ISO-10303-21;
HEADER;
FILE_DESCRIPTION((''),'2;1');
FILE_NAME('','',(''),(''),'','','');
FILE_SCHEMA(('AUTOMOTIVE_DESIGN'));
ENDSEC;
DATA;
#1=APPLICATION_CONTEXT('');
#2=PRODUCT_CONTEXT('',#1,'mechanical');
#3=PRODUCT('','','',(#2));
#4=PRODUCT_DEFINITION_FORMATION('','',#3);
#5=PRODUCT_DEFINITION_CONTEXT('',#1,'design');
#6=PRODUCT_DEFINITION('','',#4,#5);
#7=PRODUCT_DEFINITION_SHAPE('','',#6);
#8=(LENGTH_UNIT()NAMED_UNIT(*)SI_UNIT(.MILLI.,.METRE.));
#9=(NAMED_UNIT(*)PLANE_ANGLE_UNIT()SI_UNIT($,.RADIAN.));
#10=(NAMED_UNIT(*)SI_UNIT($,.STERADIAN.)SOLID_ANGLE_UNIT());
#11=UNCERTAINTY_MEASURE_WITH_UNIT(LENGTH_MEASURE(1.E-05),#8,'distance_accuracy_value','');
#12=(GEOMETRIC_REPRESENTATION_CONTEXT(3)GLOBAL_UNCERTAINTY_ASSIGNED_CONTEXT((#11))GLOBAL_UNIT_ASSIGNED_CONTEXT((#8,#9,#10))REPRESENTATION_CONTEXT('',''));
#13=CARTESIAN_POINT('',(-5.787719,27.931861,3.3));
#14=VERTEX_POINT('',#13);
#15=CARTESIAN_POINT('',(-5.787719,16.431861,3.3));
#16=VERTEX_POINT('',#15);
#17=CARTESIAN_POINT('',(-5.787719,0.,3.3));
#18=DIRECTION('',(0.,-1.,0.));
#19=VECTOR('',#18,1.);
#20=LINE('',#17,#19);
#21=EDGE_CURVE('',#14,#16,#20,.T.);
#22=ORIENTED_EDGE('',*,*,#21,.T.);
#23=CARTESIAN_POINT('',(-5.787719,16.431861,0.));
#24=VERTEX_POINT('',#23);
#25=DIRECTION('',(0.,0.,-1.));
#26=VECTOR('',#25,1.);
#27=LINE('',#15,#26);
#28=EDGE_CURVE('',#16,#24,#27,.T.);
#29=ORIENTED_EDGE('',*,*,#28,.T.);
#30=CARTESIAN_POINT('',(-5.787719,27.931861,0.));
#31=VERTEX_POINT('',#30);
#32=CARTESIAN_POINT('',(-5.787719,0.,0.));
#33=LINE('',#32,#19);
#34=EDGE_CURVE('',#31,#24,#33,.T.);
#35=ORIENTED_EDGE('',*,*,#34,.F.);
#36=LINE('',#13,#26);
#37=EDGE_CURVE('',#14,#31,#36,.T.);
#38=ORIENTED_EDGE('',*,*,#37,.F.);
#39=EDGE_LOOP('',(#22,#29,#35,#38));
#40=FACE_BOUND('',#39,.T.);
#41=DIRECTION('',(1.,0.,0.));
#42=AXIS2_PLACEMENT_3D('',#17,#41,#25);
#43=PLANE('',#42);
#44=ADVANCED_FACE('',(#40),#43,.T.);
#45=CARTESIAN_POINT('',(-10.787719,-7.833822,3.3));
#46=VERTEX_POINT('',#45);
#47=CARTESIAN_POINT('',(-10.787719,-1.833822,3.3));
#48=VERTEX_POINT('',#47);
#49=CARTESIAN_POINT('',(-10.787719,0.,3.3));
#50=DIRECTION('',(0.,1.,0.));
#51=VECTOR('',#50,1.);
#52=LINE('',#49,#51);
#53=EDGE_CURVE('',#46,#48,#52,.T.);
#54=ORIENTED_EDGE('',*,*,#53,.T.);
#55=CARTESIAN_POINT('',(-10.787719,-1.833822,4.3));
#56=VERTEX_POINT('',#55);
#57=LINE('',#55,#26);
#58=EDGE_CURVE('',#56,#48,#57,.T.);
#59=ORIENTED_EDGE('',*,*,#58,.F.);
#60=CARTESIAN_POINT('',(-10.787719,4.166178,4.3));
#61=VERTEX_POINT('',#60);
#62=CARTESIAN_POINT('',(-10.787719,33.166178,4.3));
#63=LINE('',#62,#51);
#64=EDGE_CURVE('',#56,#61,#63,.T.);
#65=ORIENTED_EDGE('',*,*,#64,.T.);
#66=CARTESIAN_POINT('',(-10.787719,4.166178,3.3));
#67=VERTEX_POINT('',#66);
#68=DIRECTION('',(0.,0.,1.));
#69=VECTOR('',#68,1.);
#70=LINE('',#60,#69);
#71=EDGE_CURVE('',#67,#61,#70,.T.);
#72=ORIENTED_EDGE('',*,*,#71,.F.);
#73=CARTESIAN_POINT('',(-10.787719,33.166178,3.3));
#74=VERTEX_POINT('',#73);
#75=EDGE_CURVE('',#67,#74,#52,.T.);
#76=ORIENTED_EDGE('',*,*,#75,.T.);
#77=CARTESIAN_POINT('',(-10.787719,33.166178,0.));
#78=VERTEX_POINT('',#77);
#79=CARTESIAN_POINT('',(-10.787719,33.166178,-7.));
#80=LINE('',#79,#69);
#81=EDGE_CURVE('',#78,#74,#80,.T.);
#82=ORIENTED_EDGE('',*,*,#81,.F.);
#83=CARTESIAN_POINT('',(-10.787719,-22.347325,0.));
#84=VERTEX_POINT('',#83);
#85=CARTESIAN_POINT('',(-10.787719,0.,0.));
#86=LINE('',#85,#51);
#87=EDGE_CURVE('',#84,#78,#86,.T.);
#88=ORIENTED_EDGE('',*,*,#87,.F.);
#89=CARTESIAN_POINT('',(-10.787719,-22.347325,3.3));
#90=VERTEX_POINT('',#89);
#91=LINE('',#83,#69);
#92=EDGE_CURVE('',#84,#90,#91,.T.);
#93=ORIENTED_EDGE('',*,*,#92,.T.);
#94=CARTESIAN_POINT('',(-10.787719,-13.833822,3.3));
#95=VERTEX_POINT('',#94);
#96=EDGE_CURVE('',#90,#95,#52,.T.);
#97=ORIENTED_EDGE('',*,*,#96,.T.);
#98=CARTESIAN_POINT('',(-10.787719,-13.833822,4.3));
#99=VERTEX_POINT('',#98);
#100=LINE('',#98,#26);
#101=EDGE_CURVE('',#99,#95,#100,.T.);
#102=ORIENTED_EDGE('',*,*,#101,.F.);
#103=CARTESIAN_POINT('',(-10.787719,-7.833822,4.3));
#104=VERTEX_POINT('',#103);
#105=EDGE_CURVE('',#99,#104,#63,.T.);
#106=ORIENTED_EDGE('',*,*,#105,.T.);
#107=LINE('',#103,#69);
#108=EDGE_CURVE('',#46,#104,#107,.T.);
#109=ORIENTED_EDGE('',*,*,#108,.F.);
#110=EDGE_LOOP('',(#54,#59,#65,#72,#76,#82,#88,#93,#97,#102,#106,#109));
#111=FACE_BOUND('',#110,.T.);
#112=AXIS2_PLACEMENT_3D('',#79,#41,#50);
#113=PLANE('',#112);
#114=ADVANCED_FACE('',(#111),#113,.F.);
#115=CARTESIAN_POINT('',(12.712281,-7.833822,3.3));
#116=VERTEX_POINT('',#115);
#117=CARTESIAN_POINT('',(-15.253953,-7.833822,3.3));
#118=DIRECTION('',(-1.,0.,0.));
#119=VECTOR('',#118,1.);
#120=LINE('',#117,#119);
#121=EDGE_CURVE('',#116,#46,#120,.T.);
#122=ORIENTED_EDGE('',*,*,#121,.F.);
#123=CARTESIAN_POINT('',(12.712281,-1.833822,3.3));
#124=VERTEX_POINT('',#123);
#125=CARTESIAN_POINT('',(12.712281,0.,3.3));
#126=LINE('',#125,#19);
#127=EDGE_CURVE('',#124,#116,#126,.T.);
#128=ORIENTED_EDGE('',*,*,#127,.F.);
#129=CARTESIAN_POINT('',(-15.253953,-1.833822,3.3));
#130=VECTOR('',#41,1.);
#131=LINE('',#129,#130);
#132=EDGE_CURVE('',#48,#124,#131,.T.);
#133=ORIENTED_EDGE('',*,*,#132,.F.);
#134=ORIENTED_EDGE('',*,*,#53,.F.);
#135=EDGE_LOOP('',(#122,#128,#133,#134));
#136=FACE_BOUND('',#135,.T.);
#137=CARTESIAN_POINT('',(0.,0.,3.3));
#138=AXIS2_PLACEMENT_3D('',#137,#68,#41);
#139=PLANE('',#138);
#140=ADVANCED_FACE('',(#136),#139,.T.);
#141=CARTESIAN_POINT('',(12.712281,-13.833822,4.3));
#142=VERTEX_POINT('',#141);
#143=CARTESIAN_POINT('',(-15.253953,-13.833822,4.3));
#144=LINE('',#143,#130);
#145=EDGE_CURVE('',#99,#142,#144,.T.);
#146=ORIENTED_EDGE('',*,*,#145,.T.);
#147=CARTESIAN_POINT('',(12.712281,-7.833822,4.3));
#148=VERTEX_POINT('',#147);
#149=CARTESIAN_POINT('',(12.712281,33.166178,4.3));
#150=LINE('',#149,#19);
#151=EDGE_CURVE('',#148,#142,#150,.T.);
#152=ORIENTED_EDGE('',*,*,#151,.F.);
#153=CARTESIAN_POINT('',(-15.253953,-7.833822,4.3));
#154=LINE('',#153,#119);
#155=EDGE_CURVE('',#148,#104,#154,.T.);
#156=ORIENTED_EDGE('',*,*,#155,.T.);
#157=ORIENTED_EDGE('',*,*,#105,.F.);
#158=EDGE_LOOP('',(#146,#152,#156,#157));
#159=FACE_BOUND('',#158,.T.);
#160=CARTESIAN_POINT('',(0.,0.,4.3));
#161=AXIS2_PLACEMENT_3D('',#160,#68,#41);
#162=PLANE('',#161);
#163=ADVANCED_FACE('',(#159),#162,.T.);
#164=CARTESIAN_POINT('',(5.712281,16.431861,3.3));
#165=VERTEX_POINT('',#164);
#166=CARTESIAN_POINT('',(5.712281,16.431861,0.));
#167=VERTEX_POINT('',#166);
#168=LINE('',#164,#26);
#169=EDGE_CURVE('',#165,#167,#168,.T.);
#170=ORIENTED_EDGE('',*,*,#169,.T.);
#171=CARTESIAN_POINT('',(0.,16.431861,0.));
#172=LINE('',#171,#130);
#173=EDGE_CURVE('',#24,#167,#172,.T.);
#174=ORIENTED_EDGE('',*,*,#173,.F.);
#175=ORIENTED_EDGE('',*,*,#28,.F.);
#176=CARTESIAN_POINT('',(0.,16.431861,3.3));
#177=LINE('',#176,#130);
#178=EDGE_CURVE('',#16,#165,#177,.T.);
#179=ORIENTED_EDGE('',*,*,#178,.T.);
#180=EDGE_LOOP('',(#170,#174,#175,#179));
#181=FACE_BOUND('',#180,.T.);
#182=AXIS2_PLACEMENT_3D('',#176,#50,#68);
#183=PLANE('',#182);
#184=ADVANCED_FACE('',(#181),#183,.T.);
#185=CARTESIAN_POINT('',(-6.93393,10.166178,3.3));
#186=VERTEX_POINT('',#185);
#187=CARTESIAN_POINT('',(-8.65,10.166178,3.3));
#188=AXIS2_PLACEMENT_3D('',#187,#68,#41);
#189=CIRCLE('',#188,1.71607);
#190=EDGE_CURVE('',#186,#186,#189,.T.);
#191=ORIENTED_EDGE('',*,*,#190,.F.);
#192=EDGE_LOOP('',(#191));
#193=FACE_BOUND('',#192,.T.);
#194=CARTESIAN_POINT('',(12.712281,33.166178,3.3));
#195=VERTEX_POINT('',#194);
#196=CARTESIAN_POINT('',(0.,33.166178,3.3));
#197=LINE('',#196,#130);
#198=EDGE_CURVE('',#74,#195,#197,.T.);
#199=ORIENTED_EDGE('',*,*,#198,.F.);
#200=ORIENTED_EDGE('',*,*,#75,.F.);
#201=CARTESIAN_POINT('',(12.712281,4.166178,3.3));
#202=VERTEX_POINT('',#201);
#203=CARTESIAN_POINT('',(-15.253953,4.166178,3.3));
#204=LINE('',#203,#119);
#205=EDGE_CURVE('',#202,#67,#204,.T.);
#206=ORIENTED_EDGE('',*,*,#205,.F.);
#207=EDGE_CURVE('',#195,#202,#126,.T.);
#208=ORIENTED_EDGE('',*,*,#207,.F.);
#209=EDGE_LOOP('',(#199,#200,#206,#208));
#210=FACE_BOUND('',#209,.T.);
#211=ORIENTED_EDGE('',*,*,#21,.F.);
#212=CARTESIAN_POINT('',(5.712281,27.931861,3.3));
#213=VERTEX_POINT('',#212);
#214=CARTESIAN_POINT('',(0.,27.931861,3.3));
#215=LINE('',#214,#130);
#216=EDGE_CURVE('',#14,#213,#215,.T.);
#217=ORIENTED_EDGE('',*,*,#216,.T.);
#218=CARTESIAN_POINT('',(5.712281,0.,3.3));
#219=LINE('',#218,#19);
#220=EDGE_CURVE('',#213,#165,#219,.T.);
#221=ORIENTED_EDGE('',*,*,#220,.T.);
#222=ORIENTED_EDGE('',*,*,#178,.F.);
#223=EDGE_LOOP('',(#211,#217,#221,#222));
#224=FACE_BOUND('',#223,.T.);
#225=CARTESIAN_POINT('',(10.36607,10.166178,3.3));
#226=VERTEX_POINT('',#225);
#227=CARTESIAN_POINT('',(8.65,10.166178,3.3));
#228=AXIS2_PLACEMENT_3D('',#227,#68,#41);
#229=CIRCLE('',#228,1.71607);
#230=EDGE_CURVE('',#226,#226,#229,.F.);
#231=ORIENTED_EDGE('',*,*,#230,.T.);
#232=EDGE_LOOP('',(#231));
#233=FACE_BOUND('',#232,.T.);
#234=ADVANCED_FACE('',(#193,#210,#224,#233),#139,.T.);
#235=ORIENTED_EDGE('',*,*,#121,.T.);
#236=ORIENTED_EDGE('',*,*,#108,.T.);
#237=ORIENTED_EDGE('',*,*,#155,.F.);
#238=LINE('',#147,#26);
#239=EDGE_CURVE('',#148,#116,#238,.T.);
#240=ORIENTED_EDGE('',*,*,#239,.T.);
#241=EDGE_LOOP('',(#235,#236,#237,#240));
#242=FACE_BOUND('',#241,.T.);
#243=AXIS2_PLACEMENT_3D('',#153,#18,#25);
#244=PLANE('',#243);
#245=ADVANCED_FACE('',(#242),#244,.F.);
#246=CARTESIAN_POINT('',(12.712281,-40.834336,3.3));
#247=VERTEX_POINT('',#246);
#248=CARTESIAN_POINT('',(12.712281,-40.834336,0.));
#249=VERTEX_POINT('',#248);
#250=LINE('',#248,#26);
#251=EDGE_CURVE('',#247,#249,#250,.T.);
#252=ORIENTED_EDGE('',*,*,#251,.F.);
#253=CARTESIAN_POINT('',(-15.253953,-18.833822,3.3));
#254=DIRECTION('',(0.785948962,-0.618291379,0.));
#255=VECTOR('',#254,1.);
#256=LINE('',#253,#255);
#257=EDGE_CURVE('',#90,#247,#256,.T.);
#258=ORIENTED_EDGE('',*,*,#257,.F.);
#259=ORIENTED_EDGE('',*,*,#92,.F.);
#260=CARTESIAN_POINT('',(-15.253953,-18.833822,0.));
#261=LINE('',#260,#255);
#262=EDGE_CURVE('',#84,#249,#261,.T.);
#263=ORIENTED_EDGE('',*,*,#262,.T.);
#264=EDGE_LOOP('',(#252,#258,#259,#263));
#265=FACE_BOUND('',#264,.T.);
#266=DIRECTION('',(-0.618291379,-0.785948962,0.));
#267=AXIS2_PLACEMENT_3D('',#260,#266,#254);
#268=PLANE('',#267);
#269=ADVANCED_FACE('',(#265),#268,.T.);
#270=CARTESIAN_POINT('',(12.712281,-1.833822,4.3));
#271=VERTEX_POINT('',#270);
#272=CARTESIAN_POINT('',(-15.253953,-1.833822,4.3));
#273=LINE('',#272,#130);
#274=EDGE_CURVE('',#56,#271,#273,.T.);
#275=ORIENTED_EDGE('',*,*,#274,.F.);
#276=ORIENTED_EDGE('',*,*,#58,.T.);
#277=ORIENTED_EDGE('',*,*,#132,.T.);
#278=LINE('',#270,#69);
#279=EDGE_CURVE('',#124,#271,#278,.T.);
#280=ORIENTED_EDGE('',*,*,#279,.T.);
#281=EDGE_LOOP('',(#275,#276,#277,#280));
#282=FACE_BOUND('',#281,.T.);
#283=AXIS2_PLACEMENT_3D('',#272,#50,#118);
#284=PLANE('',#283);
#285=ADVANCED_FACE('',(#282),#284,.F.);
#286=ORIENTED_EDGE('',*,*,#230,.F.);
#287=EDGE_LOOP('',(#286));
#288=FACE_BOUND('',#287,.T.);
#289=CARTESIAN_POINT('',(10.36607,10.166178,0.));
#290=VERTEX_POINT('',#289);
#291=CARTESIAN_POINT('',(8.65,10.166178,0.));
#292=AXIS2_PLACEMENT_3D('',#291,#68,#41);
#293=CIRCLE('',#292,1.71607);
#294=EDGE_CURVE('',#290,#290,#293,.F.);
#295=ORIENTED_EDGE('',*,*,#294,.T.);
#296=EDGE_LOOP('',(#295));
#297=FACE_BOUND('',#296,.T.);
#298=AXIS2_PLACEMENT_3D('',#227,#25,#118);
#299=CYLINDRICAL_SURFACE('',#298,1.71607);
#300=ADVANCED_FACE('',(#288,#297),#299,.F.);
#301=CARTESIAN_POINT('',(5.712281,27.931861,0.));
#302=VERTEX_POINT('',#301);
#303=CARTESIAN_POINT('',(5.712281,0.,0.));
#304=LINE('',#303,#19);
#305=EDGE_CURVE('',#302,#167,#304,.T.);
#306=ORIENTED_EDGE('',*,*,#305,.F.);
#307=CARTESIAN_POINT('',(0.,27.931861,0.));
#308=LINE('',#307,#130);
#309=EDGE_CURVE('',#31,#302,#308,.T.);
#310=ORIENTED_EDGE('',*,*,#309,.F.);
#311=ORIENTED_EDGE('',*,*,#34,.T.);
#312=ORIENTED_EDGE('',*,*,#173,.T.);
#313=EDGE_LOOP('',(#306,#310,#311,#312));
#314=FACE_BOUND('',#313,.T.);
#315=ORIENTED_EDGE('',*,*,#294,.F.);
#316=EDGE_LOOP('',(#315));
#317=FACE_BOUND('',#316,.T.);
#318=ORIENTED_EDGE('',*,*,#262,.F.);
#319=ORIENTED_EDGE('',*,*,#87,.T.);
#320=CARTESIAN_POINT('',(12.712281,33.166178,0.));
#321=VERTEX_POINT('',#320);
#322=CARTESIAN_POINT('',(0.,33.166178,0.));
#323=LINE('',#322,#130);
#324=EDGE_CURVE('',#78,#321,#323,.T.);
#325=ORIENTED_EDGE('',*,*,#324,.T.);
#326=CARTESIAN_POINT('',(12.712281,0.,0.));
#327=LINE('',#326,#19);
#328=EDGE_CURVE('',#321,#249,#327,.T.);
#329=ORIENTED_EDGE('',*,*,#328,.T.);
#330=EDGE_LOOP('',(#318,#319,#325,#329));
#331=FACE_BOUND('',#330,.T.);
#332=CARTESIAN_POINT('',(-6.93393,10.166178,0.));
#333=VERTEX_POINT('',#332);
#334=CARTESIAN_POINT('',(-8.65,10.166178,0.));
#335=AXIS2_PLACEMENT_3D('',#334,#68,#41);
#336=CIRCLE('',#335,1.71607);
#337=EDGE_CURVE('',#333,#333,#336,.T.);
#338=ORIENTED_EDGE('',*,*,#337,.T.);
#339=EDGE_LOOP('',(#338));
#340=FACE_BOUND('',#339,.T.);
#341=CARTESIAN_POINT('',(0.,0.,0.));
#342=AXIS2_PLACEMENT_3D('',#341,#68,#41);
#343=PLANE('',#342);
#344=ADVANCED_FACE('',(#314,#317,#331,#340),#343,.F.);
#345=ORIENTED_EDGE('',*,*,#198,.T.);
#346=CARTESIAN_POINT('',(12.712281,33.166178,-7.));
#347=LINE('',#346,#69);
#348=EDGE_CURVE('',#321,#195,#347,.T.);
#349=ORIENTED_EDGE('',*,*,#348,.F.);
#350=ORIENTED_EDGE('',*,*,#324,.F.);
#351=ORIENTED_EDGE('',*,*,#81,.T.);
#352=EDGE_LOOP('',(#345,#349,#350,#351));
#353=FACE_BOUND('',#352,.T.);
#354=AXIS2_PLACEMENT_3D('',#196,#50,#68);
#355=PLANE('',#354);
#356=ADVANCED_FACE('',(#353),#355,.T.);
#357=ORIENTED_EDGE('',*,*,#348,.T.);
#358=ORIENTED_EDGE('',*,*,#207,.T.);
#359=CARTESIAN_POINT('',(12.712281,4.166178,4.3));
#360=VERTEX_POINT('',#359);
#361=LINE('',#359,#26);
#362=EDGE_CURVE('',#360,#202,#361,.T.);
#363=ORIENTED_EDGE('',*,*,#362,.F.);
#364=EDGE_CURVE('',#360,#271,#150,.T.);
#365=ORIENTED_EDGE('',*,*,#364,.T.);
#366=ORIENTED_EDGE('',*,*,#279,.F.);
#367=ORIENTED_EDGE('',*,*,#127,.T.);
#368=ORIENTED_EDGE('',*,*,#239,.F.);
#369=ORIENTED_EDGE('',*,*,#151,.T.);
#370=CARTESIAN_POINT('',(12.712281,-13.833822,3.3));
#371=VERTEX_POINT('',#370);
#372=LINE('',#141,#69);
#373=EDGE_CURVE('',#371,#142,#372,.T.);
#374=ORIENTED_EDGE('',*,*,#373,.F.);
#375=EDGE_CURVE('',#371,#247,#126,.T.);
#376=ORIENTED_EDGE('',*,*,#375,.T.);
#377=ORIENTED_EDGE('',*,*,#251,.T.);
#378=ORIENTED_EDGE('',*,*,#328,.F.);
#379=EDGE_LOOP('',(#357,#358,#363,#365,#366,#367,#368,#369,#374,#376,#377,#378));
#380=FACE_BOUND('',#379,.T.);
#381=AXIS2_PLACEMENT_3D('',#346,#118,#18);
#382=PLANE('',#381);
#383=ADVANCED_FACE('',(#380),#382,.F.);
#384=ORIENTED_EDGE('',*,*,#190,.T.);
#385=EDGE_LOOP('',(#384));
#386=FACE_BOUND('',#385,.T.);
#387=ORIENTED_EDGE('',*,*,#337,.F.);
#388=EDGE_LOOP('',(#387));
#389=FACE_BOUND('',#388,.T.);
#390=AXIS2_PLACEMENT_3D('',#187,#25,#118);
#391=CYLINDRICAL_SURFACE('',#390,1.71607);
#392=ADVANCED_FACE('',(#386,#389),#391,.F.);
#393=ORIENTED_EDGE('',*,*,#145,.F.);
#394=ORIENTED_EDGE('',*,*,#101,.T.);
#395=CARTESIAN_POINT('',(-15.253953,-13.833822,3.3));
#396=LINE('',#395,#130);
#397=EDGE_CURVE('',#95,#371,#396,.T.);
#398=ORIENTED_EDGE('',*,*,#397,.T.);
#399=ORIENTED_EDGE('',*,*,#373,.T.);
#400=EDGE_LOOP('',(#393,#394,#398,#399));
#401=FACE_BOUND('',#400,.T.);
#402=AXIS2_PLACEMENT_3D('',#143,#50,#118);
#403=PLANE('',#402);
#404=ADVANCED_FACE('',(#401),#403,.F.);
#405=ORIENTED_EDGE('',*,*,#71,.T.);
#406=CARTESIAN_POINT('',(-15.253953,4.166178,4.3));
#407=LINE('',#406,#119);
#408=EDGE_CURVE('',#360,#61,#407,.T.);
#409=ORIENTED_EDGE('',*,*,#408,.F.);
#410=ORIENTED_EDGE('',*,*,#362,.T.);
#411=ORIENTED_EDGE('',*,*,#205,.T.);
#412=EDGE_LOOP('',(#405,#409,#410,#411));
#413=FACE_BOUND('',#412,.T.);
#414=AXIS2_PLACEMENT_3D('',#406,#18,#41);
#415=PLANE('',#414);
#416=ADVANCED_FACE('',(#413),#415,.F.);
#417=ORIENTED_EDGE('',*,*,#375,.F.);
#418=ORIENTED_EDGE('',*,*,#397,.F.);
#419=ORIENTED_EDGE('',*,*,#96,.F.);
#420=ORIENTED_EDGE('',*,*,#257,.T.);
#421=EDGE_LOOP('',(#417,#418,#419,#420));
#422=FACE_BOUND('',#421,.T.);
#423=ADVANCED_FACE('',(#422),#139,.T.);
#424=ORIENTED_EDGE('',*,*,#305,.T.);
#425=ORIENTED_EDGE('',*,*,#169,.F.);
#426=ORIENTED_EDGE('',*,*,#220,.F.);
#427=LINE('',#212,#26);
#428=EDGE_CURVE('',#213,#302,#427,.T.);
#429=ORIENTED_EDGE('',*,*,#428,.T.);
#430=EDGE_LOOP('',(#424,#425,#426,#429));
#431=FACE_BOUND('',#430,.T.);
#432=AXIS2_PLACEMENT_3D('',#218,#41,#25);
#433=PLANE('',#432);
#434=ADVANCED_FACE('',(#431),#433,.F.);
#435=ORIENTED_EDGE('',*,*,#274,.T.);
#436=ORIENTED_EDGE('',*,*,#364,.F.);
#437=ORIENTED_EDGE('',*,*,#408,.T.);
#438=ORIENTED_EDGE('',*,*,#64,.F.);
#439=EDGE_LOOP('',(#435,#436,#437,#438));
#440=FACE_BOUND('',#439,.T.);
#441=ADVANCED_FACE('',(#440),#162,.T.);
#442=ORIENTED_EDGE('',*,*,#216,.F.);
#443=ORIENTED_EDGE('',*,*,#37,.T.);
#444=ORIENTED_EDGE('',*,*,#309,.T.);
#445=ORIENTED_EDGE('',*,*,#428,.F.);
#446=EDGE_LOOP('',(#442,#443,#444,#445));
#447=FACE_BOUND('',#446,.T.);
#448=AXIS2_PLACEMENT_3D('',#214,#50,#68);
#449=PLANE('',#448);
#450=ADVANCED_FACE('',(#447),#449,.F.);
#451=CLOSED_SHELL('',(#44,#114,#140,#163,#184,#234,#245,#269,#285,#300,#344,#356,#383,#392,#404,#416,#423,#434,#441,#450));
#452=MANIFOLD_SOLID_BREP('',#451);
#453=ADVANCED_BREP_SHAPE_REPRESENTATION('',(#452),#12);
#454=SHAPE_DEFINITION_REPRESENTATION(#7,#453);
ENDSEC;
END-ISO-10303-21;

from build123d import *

# Parameters (mm, degrees)
SKETCH_1_W          = 30.50790567
SKETCH_1_H          = 76
SKETCH_1_R          = 1.716069694
SKETCH_1_W_2        = 11.5
SKETCH_1_H_2        = 11.5
SKETCH_1_W_3        = 24.50790567
SKETCH_1_H_3        = 19
EXTRUDE_1_DEPTH     = 3.3
SKETCH_2_W          = 30.50790567
SKETCH_2_H          = 6
EXTRUDE_2_DEPTH     = 1
EXTRUDE_3_DEPTH     = 3.3
CUT_EXTRUDE_1_DEPTH = 3.3
EXTRUDE_5_DEPTH     = 3.3
SKETCH_6_W          = 30.50790567
SKETCH_6_H          = 24.027073242
EXTRUDE_6_DEPTH     = 3.3
CUT_EXTRUDE_3_DEPTH = 3.3
SKETCH_8_W          = 4.466233575
SKETCH_8_H          = 58.072220184
SKETCH_8_W_2        = 2.541672095
SKETCH_8_H_2        = 76
CUT_EXTRUDE_4_DEPTH = 11.3


with BuildPart() as part:
    # 草圖1 → 填料-伸長1 (new body)
    with BuildSketch(Plane.XY):
        with Locations((0, -4.833822083)):
            Rectangle(SKETCH_1_W, SKETCH_1_H)
        with Locations((-8.65, 10.166177917)):
            Circle(SKETCH_1_R, mode=Mode.SUBTRACT)
        with Locations((-0.03771926, 22.181861337)):
            Rectangle(SKETCH_1_W_2, SKETCH_1_H_2, mode=Mode.SUBTRACT)
        with Locations((8.65, 10.166177917)):
            Circle(SKETCH_1_R, mode=Mode.SUBTRACT)
        with Locations((0, -30.333822083)):
            Rectangle(SKETCH_1_W_3, SKETCH_1_H_3, mode=Mode.SUBTRACT)
    extrude(amount=EXTRUDE_1_DEPTH)

    # 草圖2 → 填料-伸長2 (add)
    with BuildSketch(Plane.XY.offset(3.3)):
        with Locations((0, 1.166177917)):
            Rectangle(SKETCH_2_W, SKETCH_2_H)
        with Locations((0, -10.833822083)):
            Rectangle(SKETCH_2_W, SKETCH_2_H)
    extrude(amount=EXTRUDE_2_DEPTH)

    # 草圖3 → 填料-伸長3 (add)
    with BuildSketch(Plane.XY):
        Polygon((15.253952835, -42.833822083), (-15.253952835, -18.474060109), (15.253952835, -18.474060109), align=None)
    extrude(amount=EXTRUDE_3_DEPTH)

    # 草圖4 → 除料-伸長1 (cut)
    with BuildSketch(Plane.XY.offset(3.3)):
        Polygon((15.253952835, -42.833822083), (-15.253952835, -18.806748841), (-15.253952835, -42.833822083), align=None)
    extrude(amount=-CUT_EXTRUDE_1_DEPTH, mode=Mode.SUBTRACT)

    # 草圖5 → 填料-伸長5 (add)
    with BuildSketch(Plane.XY.offset(3.3)):
        Polygon((15.253952835, -42.833822083), (-15.253952835, -42.833822083), (-15.253952835, -18.806748841), align=None)
    extrude(amount=-EXTRUDE_5_DEPTH)

    # 草圖6 → 填料-伸長6 (add)
    with BuildSketch(Plane.XY.offset(3.3)):
        with Locations((0, -30.820285462)):
            Rectangle(SKETCH_6_W, SKETCH_6_H)
    extrude(amount=-EXTRUDE_6_DEPTH)

    # 草圖7 → 除料-伸長3 (cut)
    with BuildSketch(Plane.XY.offset(3.3)):
        Polygon((-15.253952835, -18.833822083), (15.253952835, -42.833822083), (-15.253952835, -42.833822083), align=None)
    extrude(amount=-CUT_EXTRUDE_3_DEPTH, mode=Mode.SUBTRACT)

    # 草圖8 → 除料-伸長4 (cut)
    with BuildSketch(Plane.XY.offset(4.3)):
        with Locations((-13.020836048, 4.130067825)):
            Rectangle(SKETCH_8_W, SKETCH_8_H)
        with Locations((13.983116788, -4.833822083)):
            Rectangle(SKETCH_8_W_2, SKETCH_8_H_2)
    extrude(amount=-CUT_EXTRUDE_4_DEPTH, mode=Mode.SUBTRACT)


solid = part.part
